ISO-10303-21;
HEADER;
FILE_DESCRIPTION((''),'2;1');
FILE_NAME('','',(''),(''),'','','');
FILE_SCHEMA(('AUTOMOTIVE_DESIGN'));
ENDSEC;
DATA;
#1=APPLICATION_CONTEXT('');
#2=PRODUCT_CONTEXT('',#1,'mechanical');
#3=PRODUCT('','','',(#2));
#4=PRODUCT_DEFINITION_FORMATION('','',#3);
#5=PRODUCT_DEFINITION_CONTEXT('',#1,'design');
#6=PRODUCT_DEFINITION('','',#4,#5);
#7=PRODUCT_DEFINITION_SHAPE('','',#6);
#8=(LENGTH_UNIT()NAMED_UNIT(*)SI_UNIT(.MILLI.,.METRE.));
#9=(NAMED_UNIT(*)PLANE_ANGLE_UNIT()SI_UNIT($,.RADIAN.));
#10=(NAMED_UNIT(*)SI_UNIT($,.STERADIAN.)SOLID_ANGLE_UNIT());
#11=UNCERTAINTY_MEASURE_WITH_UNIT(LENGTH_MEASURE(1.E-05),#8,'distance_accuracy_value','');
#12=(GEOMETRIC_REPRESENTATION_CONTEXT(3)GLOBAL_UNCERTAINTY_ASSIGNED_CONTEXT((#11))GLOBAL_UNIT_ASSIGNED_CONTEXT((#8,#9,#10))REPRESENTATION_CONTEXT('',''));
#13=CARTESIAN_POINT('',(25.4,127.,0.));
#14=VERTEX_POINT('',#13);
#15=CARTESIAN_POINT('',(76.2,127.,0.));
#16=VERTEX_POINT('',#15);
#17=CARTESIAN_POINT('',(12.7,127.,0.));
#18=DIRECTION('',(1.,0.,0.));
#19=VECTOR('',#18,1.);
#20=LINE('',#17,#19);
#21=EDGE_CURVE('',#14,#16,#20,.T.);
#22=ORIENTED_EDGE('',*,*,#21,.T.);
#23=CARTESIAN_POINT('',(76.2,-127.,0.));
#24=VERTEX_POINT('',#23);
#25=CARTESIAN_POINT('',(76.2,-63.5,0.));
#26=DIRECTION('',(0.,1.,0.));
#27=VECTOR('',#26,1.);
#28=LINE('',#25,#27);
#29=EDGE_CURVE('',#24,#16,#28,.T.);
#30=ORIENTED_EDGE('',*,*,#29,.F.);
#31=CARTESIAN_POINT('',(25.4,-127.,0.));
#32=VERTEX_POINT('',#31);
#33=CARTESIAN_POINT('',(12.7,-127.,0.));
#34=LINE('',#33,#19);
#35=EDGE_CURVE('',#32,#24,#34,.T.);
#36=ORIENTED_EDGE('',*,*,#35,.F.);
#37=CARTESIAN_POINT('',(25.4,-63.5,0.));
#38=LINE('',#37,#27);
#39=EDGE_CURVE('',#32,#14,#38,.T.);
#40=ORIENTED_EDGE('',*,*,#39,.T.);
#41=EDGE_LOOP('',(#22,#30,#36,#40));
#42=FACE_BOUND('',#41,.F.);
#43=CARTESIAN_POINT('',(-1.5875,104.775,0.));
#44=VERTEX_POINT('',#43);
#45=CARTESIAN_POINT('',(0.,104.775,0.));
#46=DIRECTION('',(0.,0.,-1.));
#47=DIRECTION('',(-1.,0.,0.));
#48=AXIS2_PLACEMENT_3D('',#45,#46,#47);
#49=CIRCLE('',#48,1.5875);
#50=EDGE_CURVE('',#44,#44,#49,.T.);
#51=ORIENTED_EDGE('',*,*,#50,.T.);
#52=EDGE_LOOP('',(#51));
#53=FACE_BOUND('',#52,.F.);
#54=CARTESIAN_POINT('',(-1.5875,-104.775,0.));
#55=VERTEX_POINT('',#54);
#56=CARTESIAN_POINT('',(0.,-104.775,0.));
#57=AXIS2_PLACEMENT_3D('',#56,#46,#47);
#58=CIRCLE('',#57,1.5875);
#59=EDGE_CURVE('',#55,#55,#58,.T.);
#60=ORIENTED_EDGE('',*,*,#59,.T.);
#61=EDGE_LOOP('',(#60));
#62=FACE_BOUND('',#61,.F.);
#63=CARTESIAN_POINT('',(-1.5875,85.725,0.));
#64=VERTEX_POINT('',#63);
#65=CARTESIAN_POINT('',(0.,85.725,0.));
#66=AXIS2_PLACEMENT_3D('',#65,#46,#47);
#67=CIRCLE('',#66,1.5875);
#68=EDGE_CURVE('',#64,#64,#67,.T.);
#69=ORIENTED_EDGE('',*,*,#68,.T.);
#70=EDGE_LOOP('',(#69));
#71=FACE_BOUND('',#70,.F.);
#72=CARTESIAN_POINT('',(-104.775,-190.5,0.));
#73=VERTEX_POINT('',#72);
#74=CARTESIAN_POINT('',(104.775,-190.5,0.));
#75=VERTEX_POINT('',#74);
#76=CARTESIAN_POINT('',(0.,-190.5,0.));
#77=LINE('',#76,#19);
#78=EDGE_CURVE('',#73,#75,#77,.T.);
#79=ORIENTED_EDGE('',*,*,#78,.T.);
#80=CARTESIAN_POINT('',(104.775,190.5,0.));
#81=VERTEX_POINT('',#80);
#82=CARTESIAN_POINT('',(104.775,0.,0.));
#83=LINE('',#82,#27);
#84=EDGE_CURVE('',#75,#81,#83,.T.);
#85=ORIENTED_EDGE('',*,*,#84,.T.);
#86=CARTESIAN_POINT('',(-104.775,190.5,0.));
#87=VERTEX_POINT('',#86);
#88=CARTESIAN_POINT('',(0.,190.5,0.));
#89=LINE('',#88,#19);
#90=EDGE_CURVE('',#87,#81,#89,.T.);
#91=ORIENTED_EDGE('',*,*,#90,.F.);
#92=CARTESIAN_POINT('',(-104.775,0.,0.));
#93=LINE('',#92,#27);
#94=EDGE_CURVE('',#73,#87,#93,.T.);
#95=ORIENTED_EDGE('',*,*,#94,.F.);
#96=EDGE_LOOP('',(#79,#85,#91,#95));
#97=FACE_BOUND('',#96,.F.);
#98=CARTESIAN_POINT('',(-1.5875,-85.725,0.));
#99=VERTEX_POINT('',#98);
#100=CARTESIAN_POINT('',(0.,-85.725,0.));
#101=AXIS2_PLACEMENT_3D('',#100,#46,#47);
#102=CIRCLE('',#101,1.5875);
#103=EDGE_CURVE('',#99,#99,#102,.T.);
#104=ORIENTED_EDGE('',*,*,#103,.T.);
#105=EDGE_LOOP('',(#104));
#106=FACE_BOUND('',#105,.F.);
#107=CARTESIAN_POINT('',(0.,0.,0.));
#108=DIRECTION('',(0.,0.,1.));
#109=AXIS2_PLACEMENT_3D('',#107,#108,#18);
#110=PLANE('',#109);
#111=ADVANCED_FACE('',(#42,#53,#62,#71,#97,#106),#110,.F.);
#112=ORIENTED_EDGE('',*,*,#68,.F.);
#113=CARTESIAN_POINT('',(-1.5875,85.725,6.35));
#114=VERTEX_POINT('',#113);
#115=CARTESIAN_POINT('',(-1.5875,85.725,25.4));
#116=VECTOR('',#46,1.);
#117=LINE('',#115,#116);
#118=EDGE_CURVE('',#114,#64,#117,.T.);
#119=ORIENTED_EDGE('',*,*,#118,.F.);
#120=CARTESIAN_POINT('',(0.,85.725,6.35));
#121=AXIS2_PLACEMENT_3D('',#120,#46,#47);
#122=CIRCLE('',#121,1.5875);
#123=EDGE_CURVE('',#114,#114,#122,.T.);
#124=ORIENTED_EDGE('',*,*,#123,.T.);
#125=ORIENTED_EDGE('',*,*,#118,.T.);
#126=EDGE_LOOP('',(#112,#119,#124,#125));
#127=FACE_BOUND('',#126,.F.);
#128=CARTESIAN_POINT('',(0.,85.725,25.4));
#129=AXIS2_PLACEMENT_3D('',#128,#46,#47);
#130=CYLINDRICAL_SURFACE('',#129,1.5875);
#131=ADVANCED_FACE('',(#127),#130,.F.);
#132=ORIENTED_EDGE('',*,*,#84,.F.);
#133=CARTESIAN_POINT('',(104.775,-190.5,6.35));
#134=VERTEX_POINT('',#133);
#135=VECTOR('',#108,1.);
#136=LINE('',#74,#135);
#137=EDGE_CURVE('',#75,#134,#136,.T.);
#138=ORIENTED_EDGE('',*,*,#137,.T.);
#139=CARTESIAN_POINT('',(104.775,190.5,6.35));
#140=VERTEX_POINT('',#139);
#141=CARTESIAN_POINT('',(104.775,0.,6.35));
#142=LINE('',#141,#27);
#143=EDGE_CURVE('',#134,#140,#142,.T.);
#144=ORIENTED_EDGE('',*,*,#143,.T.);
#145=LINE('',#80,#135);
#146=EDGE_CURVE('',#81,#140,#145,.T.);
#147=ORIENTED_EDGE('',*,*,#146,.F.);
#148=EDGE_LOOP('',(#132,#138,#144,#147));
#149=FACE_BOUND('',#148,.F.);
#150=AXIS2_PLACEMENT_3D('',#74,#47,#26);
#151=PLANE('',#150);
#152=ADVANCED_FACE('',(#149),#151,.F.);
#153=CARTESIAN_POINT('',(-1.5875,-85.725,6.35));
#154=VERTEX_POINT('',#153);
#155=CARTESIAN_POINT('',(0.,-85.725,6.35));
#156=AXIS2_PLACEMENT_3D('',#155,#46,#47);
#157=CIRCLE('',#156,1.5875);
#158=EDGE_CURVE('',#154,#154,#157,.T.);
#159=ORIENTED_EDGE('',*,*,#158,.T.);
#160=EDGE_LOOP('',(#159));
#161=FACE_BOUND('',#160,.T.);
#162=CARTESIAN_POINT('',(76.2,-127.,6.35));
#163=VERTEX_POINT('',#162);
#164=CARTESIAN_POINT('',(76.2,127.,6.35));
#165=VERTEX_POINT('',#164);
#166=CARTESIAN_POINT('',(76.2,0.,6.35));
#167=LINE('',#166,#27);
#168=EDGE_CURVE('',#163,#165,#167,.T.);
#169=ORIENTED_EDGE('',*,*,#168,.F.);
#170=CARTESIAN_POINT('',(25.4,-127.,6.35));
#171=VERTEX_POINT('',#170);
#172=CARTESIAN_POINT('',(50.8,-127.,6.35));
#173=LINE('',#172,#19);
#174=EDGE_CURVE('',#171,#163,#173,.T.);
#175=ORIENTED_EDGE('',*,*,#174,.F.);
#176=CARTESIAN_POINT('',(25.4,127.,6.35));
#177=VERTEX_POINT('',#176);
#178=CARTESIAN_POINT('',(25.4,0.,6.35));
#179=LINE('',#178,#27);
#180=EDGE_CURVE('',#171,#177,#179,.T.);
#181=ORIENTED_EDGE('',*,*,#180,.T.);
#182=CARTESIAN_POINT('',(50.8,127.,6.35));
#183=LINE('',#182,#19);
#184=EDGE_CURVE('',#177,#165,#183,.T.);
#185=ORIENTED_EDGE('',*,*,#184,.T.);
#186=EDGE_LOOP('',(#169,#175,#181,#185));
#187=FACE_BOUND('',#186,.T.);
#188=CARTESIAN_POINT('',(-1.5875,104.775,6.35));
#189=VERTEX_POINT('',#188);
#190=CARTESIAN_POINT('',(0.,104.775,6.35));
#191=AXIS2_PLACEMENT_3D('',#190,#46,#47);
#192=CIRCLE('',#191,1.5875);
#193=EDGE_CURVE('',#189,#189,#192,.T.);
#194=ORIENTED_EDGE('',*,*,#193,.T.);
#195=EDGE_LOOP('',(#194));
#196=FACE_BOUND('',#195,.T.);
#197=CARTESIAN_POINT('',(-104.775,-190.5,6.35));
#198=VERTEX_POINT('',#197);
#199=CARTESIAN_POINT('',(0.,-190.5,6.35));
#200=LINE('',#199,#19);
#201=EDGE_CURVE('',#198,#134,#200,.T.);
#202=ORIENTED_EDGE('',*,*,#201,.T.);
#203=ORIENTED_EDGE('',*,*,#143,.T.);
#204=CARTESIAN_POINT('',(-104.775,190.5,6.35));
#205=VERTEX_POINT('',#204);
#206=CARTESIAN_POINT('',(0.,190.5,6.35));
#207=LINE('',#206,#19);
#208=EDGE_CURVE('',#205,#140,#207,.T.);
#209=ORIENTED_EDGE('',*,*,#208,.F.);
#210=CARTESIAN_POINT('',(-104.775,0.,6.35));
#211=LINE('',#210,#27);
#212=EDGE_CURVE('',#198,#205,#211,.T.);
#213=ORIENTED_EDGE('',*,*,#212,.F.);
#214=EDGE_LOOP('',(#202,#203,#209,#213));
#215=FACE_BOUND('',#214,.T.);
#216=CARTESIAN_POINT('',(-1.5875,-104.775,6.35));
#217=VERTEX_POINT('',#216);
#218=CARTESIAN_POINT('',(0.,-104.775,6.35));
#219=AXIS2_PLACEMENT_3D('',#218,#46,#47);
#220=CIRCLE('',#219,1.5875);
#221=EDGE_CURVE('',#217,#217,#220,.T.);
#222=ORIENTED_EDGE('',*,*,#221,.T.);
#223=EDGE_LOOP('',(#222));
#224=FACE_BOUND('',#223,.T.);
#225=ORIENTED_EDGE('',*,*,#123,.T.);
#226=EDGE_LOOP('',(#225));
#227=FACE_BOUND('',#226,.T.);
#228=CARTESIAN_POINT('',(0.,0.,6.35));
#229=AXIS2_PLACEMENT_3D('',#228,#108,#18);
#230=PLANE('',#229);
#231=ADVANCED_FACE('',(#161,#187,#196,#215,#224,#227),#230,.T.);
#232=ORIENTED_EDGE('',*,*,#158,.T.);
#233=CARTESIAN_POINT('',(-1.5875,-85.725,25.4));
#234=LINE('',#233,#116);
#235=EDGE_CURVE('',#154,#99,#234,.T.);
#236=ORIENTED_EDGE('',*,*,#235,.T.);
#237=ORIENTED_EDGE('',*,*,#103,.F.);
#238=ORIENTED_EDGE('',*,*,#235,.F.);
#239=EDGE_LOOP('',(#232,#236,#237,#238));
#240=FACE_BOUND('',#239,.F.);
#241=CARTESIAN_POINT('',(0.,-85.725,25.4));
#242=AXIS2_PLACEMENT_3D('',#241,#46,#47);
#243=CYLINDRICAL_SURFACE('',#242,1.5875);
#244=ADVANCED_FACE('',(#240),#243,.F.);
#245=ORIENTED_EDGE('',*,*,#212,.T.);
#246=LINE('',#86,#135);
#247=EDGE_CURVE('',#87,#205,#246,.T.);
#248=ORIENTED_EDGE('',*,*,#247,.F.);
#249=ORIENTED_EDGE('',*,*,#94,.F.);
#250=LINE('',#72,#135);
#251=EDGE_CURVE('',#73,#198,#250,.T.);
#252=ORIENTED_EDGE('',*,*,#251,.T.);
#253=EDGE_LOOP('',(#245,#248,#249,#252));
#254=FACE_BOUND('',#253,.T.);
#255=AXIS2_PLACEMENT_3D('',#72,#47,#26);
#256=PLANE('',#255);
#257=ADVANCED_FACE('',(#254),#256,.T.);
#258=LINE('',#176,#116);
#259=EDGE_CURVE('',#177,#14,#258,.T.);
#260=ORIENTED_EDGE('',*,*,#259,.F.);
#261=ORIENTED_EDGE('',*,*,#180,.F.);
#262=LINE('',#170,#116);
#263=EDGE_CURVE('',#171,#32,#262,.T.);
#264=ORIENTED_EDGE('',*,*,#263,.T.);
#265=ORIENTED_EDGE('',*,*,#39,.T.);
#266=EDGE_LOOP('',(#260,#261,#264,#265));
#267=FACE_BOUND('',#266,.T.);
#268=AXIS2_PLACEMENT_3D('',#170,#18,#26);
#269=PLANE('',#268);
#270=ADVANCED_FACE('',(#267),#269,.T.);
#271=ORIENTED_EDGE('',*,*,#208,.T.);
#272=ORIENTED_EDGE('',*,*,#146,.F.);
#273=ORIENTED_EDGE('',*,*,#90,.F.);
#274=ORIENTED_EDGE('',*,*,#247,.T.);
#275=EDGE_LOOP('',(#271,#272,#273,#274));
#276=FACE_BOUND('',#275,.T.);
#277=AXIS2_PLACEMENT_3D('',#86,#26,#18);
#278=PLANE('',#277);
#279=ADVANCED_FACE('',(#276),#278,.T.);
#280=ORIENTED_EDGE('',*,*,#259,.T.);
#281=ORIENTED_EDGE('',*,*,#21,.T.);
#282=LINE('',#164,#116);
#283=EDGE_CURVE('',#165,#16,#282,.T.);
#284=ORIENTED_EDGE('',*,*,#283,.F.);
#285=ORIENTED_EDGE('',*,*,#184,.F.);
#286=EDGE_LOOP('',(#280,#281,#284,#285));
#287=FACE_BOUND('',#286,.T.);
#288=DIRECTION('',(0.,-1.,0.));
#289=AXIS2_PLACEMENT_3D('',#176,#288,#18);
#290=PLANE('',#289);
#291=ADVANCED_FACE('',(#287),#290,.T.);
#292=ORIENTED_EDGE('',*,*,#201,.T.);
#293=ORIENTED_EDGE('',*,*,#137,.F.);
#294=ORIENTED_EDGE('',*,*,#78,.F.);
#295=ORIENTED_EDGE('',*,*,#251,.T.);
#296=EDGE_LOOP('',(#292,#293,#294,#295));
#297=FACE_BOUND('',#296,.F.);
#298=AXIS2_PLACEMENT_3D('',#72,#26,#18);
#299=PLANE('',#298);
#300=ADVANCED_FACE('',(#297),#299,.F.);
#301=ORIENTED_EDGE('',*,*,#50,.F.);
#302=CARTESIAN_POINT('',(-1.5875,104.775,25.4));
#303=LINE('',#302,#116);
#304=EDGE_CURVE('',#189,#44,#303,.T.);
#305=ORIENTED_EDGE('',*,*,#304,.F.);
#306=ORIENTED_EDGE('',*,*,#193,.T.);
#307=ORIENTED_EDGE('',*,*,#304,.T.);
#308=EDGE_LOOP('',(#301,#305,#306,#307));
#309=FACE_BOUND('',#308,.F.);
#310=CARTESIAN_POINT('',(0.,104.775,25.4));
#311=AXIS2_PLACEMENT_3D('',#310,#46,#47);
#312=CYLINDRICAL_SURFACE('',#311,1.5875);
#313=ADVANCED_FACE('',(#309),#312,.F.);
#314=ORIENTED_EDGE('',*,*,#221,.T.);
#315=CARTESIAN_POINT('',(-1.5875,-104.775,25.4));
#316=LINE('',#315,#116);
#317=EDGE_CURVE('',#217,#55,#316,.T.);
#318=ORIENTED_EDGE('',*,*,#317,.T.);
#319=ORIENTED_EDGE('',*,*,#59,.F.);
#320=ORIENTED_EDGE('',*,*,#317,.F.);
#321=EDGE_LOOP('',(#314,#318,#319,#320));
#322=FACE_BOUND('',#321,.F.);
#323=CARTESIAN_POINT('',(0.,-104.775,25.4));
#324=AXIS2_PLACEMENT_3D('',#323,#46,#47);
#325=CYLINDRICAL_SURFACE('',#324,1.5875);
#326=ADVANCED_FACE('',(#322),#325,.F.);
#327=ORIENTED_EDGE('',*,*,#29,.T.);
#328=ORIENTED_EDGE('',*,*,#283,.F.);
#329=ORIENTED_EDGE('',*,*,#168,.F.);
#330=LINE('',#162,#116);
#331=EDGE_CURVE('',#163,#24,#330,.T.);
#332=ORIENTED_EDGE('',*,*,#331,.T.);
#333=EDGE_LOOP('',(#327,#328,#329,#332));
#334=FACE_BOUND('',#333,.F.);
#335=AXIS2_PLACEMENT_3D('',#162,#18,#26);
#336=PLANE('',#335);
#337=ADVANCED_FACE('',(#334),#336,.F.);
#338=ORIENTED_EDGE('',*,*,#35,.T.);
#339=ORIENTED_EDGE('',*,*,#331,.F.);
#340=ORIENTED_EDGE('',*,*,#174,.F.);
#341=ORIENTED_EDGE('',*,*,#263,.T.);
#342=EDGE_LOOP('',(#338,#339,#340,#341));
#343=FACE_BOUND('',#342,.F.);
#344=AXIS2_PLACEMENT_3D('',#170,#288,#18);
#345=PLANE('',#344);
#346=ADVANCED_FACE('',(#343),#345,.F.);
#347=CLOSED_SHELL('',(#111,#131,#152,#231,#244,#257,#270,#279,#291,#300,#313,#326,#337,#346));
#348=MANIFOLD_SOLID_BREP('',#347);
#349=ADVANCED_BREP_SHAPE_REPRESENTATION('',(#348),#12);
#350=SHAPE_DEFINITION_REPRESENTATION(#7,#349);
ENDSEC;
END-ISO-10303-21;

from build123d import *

# Parameters (mm, degrees)
F0_W     = 209.55
F0_H     = 381
F1_DEPTH = 6.35
F2_W     = 50.8
F2_H     = 254
F3_DEPTH = 25.4
F4_D     = 3.175
F4_DEPTH = 19.05


with BuildPart() as f1:
    # F0 (on Top) → F1 (new body)
    with BuildSketch(Plane.XY):
        Rectangle(F0_W, F0_H)
    extrude(amount=F1_DEPTH)

    # F2 (on face) → F3 (cut)
    with BuildSketch(Plane.XY.offset(6.35)):
        with Locations((50.8, 0)):
            Rectangle(F2_W, F2_H)
    extrude(amount=-F3_DEPTH, mode=Mode.SUBTRACT)

    # F4
    with Locations(Plane.XY.offset(6.35)):
        with Locations((0, -104.775), (0, -85.725), (0, 85.725), (0, 104.775)):
            Hole(F4_D / 2, depth=F4_DEPTH)


solid = f1.part
